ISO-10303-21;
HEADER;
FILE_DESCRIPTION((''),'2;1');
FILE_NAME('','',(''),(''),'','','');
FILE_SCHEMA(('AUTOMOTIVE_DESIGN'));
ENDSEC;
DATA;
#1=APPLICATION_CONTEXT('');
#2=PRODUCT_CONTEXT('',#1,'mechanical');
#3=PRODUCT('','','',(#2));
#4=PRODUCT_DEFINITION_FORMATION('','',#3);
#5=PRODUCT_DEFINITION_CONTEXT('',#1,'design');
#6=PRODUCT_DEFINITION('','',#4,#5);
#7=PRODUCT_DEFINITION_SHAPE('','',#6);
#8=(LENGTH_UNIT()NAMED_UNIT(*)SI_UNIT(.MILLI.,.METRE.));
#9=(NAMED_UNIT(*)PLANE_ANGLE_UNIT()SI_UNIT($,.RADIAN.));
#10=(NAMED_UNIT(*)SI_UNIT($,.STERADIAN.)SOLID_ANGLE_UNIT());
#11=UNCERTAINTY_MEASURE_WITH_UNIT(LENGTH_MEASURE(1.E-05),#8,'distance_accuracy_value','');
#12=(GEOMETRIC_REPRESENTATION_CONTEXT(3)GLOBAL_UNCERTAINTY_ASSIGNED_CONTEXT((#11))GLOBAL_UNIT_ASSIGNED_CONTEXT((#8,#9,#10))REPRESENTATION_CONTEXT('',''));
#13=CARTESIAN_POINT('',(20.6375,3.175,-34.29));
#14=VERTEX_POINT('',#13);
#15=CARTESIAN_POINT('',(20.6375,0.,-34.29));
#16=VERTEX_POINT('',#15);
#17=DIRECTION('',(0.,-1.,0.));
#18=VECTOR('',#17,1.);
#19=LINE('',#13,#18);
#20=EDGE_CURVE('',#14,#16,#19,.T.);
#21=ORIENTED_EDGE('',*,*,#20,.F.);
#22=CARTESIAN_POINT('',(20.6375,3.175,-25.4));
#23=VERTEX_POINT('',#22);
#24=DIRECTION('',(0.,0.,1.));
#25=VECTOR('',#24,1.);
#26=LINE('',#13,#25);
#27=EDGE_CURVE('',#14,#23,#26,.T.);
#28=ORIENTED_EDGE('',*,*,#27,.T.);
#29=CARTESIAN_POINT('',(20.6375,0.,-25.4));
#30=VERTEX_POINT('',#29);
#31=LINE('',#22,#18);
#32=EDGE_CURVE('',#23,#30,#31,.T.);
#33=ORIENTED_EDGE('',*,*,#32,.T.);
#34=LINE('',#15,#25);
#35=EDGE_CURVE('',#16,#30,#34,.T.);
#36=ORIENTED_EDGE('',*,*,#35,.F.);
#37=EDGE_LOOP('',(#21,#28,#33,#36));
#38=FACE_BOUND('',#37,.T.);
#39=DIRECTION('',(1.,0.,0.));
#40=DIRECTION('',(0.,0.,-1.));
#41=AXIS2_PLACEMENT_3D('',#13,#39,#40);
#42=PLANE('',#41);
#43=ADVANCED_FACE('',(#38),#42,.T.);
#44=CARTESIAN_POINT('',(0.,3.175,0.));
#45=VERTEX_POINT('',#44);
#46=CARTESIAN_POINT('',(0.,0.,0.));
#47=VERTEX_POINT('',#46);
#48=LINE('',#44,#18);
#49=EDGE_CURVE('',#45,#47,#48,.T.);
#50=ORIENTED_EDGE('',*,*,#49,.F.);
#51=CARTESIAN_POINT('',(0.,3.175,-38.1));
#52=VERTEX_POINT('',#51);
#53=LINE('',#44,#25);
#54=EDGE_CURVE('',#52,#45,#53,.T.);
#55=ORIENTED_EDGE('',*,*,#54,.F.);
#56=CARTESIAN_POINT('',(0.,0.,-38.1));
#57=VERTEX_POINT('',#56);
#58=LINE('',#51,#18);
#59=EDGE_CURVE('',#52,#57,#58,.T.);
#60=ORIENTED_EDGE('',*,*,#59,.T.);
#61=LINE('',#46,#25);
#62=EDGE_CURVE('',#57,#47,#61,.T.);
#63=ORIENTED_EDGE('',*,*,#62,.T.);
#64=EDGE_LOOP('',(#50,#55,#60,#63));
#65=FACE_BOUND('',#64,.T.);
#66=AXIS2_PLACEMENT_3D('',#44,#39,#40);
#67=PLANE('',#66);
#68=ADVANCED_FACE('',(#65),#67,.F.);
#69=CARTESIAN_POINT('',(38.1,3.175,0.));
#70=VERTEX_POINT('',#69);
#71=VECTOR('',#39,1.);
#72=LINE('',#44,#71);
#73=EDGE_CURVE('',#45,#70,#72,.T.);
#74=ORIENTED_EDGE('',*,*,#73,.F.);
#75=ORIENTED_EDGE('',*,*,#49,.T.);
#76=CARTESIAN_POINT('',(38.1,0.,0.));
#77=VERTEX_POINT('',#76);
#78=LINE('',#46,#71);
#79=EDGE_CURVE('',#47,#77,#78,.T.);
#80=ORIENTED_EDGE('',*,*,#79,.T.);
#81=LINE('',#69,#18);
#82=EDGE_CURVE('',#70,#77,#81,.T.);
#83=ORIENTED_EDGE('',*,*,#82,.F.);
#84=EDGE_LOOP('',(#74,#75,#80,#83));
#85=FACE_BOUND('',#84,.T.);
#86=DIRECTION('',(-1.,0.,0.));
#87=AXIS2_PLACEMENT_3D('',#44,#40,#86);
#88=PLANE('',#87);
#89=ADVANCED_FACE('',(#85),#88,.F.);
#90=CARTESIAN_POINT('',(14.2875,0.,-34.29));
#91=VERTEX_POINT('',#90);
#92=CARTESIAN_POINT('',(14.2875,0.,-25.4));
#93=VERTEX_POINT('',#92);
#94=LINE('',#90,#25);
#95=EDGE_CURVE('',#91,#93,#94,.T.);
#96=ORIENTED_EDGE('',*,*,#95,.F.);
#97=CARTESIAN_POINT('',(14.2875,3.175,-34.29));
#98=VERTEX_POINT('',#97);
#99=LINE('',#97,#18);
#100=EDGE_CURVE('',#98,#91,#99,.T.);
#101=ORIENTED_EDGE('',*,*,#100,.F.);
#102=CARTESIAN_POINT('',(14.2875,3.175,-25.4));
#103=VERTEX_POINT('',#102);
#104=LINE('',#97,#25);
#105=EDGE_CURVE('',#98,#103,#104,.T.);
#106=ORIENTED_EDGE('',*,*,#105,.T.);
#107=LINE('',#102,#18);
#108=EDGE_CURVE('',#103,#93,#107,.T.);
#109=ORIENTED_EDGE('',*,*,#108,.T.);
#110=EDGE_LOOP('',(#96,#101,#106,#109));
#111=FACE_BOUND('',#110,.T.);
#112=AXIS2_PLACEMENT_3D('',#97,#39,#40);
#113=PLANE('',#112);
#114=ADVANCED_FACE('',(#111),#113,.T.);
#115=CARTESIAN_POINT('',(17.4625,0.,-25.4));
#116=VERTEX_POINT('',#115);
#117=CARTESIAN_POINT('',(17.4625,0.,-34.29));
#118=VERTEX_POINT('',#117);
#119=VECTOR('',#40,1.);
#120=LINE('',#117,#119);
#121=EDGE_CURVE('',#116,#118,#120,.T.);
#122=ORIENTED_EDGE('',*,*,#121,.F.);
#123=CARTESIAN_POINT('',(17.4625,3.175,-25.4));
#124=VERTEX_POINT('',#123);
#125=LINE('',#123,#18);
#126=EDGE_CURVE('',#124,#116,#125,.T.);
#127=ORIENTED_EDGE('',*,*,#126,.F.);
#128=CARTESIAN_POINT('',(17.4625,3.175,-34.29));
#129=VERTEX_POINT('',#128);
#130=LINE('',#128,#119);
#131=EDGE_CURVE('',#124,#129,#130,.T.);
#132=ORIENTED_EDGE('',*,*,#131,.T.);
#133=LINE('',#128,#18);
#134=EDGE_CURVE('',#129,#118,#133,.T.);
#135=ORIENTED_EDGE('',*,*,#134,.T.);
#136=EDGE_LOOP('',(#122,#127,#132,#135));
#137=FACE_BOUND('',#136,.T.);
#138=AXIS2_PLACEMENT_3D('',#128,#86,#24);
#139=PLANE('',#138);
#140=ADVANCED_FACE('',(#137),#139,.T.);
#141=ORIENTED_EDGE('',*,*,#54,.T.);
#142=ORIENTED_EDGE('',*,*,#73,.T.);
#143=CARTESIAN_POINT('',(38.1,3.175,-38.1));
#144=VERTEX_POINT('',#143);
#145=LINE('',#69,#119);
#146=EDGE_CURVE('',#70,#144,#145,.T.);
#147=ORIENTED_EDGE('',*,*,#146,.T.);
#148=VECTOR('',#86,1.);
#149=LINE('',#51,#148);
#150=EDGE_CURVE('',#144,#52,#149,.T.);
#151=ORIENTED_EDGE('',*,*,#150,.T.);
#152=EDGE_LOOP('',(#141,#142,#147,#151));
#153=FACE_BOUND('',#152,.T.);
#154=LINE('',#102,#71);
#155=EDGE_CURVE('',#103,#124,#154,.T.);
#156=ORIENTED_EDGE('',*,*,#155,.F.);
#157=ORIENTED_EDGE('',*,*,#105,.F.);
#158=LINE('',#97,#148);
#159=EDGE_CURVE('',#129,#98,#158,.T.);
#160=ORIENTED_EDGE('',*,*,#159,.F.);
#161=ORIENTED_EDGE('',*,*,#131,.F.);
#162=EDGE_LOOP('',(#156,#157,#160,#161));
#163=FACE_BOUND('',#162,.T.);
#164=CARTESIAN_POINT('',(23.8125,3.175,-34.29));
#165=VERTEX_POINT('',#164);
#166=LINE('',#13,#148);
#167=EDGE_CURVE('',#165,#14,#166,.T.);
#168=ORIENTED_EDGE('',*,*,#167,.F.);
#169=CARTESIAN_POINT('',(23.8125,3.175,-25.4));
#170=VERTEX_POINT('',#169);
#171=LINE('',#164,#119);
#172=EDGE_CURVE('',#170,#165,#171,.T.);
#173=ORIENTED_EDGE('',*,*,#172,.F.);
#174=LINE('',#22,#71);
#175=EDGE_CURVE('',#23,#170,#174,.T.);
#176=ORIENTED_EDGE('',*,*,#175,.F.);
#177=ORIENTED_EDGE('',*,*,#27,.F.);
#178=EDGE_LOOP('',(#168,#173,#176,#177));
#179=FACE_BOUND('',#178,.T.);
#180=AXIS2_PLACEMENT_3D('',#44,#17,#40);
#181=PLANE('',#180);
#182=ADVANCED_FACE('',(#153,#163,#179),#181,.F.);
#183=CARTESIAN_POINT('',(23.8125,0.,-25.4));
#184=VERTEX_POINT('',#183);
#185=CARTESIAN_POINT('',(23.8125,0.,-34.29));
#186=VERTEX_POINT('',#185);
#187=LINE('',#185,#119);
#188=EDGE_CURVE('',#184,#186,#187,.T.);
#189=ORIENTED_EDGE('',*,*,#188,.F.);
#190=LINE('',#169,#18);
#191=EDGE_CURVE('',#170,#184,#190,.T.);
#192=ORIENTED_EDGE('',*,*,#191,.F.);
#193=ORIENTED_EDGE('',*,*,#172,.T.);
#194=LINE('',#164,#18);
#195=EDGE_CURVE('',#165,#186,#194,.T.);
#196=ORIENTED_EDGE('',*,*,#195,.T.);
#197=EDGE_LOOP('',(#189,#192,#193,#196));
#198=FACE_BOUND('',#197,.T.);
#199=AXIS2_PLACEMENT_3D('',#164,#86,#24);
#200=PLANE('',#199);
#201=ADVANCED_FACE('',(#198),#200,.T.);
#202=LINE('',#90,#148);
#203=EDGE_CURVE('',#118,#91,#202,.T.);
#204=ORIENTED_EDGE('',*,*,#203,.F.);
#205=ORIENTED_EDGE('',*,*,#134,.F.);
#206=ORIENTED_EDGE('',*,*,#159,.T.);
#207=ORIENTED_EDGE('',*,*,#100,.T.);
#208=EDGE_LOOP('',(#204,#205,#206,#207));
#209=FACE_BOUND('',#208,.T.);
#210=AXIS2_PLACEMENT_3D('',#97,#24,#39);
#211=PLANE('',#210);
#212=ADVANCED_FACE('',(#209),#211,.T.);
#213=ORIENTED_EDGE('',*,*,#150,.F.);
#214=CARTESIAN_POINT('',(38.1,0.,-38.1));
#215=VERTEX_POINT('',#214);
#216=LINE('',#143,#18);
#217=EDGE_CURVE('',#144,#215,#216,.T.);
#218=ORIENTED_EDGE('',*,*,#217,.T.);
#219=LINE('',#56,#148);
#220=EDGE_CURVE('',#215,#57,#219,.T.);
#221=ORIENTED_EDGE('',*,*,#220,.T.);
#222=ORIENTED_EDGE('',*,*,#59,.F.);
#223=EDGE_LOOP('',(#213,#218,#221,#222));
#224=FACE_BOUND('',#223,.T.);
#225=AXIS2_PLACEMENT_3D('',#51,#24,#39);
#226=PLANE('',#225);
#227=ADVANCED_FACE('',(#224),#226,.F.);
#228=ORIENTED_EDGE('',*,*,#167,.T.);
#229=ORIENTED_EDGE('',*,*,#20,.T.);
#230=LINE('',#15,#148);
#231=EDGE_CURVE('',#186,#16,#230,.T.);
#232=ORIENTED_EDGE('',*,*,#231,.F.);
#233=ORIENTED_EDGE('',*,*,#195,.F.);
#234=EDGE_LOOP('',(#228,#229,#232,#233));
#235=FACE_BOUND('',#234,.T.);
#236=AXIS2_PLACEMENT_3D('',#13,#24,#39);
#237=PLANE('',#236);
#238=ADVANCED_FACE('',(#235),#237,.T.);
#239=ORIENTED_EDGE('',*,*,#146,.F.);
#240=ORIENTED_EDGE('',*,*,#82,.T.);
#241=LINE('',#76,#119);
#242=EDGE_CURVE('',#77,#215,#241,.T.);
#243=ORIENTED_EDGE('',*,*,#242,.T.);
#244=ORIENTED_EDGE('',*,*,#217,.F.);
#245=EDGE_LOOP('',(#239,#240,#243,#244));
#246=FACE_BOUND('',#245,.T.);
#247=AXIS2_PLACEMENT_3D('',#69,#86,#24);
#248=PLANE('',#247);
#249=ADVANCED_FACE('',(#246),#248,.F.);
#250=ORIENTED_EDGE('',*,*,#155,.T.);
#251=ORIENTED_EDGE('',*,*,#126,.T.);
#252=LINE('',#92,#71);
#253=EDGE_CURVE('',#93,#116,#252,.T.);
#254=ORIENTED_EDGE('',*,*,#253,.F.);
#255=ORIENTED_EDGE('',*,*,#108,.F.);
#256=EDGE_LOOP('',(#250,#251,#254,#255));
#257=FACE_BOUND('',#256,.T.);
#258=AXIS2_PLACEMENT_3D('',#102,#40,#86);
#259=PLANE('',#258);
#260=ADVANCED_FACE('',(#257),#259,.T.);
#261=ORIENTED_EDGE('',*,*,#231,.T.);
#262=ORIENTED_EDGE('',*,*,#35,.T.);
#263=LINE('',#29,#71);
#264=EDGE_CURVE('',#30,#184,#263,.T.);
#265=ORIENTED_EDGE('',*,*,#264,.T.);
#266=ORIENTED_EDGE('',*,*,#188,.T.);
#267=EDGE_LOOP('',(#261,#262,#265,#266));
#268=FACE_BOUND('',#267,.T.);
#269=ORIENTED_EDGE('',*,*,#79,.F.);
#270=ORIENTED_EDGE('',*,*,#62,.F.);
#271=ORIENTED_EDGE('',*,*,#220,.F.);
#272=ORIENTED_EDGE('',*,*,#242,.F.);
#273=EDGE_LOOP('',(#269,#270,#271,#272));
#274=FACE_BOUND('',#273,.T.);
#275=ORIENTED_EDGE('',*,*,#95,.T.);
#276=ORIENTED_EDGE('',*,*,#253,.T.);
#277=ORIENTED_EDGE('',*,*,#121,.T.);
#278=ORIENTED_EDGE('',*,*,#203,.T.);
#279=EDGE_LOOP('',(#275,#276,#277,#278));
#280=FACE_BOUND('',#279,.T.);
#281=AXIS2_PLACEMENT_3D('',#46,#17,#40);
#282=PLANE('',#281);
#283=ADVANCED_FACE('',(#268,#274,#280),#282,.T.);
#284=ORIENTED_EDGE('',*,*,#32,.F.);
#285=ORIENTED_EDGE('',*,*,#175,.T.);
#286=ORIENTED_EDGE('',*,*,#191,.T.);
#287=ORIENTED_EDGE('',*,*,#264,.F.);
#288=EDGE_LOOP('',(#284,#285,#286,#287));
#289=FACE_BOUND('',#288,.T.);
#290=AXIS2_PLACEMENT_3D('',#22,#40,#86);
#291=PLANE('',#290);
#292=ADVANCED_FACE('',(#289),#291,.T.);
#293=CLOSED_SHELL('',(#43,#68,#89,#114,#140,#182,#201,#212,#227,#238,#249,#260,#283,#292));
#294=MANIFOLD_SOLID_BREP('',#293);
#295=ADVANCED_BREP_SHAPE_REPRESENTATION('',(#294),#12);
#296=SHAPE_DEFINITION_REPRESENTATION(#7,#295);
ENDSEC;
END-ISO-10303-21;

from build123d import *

# Parameters (mm, degrees)
SKETCH1_W           = 38.1
SKETCH1_H           = 38.1
SKETCH1_W_2         = 3.175
SKETCH1_H_2         = 8.89
BOSS_EXTRUDE1_DEPTH = 3.175


with BuildPart() as part:
    # Sketch1 → Boss-Extrude1 (new body)
    with BuildSketch(Plane(origin=(0, 0, 0), x_dir=(1, 0, 0), z_dir=(0, 1, 0))):
        with Locations((19.05, 19.05)):
            Rectangle(SKETCH1_W, SKETCH1_H)
        with Locations((15.875, 29.845)):
            Rectangle(SKETCH1_W_2, SKETCH1_H_2, mode=Mode.SUBTRACT)
        with Locations((22.225, 29.845)):
            Rectangle(SKETCH1_W_2, SKETCH1_H_2, mode=Mode.SUBTRACT)
    extrude(amount=BOSS_EXTRUDE1_DEPTH)


solid = part.part
